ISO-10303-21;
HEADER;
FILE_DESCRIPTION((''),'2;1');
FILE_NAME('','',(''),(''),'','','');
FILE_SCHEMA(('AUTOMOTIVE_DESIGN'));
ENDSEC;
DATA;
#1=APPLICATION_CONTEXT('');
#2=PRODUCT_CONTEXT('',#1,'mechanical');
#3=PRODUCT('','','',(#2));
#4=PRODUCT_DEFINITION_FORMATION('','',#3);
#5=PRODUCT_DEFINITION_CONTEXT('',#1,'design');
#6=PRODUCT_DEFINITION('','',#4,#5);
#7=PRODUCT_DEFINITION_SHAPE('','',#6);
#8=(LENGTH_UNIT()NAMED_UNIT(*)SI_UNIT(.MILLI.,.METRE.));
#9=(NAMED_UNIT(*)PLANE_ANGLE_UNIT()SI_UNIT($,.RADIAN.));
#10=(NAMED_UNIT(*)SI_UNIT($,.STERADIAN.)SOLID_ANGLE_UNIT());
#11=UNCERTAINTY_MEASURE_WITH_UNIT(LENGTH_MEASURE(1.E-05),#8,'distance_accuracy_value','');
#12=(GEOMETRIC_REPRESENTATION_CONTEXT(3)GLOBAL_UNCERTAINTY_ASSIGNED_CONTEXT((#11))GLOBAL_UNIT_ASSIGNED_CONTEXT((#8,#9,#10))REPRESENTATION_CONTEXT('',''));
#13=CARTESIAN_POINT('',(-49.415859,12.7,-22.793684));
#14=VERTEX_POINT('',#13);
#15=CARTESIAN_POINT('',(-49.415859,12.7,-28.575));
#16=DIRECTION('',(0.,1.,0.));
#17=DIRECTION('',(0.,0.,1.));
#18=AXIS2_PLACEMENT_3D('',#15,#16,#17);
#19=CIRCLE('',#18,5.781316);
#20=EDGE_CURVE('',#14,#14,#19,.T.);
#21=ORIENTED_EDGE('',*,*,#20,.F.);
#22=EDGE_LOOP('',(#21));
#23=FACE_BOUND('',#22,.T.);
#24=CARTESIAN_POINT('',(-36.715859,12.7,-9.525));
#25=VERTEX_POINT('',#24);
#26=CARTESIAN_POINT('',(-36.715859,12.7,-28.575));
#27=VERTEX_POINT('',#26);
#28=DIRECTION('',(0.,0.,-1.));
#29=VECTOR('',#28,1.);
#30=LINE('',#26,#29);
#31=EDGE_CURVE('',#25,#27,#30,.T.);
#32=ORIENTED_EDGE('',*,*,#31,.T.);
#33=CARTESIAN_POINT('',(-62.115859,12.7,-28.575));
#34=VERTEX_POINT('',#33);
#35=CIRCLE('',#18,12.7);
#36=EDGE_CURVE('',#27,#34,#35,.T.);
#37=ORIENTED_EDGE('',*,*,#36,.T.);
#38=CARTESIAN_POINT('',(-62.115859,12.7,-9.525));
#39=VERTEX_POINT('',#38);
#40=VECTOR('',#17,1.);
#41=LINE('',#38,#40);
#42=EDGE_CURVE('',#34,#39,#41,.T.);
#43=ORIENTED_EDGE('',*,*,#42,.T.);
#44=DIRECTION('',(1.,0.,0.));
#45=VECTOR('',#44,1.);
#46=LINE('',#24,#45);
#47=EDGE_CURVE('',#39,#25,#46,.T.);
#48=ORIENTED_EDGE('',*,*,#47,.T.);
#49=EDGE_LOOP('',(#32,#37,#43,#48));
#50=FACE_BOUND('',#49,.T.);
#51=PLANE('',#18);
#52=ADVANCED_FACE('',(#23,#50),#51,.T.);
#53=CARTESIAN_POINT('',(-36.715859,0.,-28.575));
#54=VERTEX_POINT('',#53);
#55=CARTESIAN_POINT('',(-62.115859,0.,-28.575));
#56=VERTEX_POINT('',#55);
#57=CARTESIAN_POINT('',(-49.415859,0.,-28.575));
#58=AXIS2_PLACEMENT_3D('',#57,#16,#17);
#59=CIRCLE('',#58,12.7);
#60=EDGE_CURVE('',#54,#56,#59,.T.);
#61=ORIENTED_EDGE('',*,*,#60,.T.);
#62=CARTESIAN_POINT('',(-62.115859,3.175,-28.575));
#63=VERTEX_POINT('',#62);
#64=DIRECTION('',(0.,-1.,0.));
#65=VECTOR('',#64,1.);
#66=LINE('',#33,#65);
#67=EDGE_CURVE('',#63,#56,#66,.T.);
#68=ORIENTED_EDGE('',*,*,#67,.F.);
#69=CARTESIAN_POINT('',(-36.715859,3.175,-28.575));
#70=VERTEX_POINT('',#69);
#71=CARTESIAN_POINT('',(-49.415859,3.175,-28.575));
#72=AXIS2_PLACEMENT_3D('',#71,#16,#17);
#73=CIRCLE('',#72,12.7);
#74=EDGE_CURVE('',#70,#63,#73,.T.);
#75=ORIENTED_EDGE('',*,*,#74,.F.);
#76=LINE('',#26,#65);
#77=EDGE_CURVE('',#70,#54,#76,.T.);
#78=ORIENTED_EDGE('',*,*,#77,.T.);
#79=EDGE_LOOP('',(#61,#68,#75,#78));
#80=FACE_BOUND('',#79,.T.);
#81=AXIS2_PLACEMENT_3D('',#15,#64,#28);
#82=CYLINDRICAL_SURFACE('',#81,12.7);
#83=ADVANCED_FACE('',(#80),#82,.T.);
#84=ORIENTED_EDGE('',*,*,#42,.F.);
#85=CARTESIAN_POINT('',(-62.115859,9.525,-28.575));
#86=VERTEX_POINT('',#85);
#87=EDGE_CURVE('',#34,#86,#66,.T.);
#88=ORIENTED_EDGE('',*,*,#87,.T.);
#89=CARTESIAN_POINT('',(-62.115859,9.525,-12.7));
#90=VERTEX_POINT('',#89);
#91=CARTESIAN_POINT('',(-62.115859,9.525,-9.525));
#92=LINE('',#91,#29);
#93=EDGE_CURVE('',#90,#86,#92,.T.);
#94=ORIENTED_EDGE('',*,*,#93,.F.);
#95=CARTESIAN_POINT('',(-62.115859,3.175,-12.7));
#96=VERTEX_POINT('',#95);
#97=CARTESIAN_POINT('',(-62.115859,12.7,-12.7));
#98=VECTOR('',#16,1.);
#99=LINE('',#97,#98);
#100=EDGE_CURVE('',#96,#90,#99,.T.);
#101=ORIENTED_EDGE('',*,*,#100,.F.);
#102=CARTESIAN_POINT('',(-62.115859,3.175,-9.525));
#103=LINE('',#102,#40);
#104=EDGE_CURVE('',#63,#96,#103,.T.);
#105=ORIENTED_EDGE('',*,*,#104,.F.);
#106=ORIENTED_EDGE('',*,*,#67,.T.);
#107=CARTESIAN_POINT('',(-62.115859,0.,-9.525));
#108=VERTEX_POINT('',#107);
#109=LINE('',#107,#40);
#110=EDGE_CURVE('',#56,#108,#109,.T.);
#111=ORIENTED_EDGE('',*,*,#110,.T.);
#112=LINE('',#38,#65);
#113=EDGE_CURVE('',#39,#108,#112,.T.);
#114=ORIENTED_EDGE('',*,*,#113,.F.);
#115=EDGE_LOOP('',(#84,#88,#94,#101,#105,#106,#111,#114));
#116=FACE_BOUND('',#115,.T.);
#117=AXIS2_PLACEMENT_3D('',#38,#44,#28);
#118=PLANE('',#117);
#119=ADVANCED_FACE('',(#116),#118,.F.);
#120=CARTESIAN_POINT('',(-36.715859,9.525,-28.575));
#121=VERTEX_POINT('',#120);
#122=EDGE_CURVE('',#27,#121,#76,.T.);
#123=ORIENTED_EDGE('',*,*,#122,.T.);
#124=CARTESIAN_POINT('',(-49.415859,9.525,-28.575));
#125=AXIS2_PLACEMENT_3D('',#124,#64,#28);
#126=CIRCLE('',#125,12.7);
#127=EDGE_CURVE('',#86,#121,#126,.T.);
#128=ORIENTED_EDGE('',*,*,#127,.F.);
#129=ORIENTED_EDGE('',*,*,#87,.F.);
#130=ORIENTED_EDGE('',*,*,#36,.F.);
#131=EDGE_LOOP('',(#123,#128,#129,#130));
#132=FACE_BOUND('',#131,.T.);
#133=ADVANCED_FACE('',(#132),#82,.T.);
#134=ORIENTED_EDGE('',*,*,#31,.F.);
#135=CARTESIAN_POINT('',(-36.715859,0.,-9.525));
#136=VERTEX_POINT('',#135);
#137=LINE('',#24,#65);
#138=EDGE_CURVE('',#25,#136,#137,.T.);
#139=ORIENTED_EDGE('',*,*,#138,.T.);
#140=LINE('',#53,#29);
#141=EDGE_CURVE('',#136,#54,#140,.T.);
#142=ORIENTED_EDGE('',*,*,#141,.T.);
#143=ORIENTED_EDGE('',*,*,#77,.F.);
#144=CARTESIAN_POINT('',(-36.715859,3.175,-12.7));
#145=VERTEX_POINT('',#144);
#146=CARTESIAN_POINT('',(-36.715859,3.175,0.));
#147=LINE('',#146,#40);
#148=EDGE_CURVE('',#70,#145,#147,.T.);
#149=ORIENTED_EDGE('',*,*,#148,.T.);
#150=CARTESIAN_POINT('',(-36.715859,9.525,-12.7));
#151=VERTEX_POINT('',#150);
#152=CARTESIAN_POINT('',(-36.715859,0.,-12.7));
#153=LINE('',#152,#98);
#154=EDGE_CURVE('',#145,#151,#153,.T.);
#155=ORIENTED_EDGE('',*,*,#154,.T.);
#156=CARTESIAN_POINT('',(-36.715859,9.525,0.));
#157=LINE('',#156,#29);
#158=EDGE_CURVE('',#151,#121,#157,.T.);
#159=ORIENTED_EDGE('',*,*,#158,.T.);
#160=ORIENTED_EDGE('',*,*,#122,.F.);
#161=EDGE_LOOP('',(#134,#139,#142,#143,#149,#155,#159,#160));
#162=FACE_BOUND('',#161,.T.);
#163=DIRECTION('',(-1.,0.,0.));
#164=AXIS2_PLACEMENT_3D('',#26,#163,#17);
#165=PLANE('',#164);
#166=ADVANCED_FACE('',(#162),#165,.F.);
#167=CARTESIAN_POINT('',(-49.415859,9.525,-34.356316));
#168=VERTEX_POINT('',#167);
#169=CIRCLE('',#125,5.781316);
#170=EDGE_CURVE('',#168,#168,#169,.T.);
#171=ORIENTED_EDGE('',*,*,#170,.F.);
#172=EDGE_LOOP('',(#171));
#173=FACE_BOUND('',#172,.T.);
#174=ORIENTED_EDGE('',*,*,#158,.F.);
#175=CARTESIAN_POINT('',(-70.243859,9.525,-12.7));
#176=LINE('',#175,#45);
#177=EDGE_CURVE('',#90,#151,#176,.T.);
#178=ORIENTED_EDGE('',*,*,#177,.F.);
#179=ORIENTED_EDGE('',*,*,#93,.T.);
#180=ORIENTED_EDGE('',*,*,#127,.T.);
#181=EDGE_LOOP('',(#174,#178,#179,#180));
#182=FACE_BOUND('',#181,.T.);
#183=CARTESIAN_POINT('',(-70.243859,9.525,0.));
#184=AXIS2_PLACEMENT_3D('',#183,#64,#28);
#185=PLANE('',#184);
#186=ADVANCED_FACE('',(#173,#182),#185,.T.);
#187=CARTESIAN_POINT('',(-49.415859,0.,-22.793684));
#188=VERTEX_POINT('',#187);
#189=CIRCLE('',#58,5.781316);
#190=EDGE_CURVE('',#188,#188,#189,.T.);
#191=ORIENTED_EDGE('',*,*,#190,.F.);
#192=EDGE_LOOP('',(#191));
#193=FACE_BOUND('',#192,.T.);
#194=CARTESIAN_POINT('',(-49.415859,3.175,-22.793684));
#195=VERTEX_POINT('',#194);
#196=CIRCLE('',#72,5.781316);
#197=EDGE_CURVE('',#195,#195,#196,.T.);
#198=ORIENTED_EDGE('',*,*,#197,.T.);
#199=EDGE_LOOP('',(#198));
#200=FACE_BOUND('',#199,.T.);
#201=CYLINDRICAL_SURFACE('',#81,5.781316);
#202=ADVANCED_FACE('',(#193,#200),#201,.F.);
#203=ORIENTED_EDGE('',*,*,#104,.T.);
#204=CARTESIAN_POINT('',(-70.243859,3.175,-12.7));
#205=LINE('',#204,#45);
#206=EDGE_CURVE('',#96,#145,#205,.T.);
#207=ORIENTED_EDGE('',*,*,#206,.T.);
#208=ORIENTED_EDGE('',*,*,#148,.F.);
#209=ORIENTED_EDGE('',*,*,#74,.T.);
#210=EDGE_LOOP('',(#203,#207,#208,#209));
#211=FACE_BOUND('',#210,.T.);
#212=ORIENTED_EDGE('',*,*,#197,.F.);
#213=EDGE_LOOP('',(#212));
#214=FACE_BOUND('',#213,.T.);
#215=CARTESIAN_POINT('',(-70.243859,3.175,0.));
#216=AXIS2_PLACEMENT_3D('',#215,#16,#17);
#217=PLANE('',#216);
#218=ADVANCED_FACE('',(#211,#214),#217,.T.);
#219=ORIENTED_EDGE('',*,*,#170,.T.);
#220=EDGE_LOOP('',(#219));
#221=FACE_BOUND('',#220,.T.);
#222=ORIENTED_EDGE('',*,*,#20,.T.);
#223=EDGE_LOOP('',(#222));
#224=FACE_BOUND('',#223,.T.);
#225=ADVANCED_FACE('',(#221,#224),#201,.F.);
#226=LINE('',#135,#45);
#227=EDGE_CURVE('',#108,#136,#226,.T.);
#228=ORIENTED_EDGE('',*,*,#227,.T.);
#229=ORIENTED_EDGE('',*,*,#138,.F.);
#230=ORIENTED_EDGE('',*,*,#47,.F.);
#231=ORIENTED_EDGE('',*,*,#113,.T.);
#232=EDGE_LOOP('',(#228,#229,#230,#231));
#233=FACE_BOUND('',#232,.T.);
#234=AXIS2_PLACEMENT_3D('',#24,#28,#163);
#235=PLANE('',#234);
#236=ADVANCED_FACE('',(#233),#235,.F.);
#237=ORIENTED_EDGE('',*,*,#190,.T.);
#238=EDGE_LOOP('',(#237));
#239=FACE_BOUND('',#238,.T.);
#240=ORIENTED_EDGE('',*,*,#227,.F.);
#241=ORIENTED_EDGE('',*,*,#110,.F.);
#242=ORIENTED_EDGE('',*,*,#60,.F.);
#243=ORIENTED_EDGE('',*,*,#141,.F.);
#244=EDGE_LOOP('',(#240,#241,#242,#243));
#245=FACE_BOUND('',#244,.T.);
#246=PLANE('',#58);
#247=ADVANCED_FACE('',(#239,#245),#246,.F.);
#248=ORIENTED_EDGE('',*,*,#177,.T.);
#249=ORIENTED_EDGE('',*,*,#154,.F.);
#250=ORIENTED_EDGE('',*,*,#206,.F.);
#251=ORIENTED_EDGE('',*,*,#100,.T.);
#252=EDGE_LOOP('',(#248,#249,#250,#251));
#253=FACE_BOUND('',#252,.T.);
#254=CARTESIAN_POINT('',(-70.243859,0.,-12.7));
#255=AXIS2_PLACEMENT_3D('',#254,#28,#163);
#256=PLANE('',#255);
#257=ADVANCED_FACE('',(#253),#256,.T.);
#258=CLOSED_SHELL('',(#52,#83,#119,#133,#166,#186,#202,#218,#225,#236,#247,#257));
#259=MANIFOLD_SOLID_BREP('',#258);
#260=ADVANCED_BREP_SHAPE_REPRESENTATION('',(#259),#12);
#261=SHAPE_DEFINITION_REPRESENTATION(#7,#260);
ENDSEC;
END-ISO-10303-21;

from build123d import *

# Parameters (mm, degrees)
SKETCH1_R           = 5.78131598
BOSS_EXTRUDE1_DEPTH = 12.7
SKETCH2_W           = 28.575
SKETCH2_H           = 6.35
CUT_EXTRUDE1_DEPTH  = 33.528


with BuildPart() as part:
    # Sketch1 → Boss-Extrude1 (new body)
    with BuildSketch(Plane(origin=(0, 0, 0), x_dir=(1, 0, 0), z_dir=(0, 1, 0))):
        with BuildLine():
            Line((-36.7158591, 9.525), (-62.1158591, 9.525))
            Line((-62.1158591, 9.525), (-62.1158591, 28.575))
            ThreePointArc((-62.1158591, 28.575), (-49.4158591, 41.275), (-36.7158591, 28.575))
            Line((-36.7158591, 28.575), (-36.7158591, 9.525))
        make_face()
        with Locations((-49.4158591, 28.575)):
            Circle(SKETCH1_R, mode=Mode.SUBTRACT)
    extrude(amount=BOSS_EXTRUDE1_DEPTH)

    # Sketch2 → Cut-Extrude1 (cut)
    with BuildSketch(Plane(origin=(-36.7158591, 0, 0), x_dir=(0, 0, -1), z_dir=(1, 0, 0))):
        with Locations((26.9875, 6.35)):
            Rectangle(SKETCH2_W, SKETCH2_H)
    extrude(amount=-CUT_EXTRUDE1_DEPTH, mode=Mode.SUBTRACT)


solid = part.part
